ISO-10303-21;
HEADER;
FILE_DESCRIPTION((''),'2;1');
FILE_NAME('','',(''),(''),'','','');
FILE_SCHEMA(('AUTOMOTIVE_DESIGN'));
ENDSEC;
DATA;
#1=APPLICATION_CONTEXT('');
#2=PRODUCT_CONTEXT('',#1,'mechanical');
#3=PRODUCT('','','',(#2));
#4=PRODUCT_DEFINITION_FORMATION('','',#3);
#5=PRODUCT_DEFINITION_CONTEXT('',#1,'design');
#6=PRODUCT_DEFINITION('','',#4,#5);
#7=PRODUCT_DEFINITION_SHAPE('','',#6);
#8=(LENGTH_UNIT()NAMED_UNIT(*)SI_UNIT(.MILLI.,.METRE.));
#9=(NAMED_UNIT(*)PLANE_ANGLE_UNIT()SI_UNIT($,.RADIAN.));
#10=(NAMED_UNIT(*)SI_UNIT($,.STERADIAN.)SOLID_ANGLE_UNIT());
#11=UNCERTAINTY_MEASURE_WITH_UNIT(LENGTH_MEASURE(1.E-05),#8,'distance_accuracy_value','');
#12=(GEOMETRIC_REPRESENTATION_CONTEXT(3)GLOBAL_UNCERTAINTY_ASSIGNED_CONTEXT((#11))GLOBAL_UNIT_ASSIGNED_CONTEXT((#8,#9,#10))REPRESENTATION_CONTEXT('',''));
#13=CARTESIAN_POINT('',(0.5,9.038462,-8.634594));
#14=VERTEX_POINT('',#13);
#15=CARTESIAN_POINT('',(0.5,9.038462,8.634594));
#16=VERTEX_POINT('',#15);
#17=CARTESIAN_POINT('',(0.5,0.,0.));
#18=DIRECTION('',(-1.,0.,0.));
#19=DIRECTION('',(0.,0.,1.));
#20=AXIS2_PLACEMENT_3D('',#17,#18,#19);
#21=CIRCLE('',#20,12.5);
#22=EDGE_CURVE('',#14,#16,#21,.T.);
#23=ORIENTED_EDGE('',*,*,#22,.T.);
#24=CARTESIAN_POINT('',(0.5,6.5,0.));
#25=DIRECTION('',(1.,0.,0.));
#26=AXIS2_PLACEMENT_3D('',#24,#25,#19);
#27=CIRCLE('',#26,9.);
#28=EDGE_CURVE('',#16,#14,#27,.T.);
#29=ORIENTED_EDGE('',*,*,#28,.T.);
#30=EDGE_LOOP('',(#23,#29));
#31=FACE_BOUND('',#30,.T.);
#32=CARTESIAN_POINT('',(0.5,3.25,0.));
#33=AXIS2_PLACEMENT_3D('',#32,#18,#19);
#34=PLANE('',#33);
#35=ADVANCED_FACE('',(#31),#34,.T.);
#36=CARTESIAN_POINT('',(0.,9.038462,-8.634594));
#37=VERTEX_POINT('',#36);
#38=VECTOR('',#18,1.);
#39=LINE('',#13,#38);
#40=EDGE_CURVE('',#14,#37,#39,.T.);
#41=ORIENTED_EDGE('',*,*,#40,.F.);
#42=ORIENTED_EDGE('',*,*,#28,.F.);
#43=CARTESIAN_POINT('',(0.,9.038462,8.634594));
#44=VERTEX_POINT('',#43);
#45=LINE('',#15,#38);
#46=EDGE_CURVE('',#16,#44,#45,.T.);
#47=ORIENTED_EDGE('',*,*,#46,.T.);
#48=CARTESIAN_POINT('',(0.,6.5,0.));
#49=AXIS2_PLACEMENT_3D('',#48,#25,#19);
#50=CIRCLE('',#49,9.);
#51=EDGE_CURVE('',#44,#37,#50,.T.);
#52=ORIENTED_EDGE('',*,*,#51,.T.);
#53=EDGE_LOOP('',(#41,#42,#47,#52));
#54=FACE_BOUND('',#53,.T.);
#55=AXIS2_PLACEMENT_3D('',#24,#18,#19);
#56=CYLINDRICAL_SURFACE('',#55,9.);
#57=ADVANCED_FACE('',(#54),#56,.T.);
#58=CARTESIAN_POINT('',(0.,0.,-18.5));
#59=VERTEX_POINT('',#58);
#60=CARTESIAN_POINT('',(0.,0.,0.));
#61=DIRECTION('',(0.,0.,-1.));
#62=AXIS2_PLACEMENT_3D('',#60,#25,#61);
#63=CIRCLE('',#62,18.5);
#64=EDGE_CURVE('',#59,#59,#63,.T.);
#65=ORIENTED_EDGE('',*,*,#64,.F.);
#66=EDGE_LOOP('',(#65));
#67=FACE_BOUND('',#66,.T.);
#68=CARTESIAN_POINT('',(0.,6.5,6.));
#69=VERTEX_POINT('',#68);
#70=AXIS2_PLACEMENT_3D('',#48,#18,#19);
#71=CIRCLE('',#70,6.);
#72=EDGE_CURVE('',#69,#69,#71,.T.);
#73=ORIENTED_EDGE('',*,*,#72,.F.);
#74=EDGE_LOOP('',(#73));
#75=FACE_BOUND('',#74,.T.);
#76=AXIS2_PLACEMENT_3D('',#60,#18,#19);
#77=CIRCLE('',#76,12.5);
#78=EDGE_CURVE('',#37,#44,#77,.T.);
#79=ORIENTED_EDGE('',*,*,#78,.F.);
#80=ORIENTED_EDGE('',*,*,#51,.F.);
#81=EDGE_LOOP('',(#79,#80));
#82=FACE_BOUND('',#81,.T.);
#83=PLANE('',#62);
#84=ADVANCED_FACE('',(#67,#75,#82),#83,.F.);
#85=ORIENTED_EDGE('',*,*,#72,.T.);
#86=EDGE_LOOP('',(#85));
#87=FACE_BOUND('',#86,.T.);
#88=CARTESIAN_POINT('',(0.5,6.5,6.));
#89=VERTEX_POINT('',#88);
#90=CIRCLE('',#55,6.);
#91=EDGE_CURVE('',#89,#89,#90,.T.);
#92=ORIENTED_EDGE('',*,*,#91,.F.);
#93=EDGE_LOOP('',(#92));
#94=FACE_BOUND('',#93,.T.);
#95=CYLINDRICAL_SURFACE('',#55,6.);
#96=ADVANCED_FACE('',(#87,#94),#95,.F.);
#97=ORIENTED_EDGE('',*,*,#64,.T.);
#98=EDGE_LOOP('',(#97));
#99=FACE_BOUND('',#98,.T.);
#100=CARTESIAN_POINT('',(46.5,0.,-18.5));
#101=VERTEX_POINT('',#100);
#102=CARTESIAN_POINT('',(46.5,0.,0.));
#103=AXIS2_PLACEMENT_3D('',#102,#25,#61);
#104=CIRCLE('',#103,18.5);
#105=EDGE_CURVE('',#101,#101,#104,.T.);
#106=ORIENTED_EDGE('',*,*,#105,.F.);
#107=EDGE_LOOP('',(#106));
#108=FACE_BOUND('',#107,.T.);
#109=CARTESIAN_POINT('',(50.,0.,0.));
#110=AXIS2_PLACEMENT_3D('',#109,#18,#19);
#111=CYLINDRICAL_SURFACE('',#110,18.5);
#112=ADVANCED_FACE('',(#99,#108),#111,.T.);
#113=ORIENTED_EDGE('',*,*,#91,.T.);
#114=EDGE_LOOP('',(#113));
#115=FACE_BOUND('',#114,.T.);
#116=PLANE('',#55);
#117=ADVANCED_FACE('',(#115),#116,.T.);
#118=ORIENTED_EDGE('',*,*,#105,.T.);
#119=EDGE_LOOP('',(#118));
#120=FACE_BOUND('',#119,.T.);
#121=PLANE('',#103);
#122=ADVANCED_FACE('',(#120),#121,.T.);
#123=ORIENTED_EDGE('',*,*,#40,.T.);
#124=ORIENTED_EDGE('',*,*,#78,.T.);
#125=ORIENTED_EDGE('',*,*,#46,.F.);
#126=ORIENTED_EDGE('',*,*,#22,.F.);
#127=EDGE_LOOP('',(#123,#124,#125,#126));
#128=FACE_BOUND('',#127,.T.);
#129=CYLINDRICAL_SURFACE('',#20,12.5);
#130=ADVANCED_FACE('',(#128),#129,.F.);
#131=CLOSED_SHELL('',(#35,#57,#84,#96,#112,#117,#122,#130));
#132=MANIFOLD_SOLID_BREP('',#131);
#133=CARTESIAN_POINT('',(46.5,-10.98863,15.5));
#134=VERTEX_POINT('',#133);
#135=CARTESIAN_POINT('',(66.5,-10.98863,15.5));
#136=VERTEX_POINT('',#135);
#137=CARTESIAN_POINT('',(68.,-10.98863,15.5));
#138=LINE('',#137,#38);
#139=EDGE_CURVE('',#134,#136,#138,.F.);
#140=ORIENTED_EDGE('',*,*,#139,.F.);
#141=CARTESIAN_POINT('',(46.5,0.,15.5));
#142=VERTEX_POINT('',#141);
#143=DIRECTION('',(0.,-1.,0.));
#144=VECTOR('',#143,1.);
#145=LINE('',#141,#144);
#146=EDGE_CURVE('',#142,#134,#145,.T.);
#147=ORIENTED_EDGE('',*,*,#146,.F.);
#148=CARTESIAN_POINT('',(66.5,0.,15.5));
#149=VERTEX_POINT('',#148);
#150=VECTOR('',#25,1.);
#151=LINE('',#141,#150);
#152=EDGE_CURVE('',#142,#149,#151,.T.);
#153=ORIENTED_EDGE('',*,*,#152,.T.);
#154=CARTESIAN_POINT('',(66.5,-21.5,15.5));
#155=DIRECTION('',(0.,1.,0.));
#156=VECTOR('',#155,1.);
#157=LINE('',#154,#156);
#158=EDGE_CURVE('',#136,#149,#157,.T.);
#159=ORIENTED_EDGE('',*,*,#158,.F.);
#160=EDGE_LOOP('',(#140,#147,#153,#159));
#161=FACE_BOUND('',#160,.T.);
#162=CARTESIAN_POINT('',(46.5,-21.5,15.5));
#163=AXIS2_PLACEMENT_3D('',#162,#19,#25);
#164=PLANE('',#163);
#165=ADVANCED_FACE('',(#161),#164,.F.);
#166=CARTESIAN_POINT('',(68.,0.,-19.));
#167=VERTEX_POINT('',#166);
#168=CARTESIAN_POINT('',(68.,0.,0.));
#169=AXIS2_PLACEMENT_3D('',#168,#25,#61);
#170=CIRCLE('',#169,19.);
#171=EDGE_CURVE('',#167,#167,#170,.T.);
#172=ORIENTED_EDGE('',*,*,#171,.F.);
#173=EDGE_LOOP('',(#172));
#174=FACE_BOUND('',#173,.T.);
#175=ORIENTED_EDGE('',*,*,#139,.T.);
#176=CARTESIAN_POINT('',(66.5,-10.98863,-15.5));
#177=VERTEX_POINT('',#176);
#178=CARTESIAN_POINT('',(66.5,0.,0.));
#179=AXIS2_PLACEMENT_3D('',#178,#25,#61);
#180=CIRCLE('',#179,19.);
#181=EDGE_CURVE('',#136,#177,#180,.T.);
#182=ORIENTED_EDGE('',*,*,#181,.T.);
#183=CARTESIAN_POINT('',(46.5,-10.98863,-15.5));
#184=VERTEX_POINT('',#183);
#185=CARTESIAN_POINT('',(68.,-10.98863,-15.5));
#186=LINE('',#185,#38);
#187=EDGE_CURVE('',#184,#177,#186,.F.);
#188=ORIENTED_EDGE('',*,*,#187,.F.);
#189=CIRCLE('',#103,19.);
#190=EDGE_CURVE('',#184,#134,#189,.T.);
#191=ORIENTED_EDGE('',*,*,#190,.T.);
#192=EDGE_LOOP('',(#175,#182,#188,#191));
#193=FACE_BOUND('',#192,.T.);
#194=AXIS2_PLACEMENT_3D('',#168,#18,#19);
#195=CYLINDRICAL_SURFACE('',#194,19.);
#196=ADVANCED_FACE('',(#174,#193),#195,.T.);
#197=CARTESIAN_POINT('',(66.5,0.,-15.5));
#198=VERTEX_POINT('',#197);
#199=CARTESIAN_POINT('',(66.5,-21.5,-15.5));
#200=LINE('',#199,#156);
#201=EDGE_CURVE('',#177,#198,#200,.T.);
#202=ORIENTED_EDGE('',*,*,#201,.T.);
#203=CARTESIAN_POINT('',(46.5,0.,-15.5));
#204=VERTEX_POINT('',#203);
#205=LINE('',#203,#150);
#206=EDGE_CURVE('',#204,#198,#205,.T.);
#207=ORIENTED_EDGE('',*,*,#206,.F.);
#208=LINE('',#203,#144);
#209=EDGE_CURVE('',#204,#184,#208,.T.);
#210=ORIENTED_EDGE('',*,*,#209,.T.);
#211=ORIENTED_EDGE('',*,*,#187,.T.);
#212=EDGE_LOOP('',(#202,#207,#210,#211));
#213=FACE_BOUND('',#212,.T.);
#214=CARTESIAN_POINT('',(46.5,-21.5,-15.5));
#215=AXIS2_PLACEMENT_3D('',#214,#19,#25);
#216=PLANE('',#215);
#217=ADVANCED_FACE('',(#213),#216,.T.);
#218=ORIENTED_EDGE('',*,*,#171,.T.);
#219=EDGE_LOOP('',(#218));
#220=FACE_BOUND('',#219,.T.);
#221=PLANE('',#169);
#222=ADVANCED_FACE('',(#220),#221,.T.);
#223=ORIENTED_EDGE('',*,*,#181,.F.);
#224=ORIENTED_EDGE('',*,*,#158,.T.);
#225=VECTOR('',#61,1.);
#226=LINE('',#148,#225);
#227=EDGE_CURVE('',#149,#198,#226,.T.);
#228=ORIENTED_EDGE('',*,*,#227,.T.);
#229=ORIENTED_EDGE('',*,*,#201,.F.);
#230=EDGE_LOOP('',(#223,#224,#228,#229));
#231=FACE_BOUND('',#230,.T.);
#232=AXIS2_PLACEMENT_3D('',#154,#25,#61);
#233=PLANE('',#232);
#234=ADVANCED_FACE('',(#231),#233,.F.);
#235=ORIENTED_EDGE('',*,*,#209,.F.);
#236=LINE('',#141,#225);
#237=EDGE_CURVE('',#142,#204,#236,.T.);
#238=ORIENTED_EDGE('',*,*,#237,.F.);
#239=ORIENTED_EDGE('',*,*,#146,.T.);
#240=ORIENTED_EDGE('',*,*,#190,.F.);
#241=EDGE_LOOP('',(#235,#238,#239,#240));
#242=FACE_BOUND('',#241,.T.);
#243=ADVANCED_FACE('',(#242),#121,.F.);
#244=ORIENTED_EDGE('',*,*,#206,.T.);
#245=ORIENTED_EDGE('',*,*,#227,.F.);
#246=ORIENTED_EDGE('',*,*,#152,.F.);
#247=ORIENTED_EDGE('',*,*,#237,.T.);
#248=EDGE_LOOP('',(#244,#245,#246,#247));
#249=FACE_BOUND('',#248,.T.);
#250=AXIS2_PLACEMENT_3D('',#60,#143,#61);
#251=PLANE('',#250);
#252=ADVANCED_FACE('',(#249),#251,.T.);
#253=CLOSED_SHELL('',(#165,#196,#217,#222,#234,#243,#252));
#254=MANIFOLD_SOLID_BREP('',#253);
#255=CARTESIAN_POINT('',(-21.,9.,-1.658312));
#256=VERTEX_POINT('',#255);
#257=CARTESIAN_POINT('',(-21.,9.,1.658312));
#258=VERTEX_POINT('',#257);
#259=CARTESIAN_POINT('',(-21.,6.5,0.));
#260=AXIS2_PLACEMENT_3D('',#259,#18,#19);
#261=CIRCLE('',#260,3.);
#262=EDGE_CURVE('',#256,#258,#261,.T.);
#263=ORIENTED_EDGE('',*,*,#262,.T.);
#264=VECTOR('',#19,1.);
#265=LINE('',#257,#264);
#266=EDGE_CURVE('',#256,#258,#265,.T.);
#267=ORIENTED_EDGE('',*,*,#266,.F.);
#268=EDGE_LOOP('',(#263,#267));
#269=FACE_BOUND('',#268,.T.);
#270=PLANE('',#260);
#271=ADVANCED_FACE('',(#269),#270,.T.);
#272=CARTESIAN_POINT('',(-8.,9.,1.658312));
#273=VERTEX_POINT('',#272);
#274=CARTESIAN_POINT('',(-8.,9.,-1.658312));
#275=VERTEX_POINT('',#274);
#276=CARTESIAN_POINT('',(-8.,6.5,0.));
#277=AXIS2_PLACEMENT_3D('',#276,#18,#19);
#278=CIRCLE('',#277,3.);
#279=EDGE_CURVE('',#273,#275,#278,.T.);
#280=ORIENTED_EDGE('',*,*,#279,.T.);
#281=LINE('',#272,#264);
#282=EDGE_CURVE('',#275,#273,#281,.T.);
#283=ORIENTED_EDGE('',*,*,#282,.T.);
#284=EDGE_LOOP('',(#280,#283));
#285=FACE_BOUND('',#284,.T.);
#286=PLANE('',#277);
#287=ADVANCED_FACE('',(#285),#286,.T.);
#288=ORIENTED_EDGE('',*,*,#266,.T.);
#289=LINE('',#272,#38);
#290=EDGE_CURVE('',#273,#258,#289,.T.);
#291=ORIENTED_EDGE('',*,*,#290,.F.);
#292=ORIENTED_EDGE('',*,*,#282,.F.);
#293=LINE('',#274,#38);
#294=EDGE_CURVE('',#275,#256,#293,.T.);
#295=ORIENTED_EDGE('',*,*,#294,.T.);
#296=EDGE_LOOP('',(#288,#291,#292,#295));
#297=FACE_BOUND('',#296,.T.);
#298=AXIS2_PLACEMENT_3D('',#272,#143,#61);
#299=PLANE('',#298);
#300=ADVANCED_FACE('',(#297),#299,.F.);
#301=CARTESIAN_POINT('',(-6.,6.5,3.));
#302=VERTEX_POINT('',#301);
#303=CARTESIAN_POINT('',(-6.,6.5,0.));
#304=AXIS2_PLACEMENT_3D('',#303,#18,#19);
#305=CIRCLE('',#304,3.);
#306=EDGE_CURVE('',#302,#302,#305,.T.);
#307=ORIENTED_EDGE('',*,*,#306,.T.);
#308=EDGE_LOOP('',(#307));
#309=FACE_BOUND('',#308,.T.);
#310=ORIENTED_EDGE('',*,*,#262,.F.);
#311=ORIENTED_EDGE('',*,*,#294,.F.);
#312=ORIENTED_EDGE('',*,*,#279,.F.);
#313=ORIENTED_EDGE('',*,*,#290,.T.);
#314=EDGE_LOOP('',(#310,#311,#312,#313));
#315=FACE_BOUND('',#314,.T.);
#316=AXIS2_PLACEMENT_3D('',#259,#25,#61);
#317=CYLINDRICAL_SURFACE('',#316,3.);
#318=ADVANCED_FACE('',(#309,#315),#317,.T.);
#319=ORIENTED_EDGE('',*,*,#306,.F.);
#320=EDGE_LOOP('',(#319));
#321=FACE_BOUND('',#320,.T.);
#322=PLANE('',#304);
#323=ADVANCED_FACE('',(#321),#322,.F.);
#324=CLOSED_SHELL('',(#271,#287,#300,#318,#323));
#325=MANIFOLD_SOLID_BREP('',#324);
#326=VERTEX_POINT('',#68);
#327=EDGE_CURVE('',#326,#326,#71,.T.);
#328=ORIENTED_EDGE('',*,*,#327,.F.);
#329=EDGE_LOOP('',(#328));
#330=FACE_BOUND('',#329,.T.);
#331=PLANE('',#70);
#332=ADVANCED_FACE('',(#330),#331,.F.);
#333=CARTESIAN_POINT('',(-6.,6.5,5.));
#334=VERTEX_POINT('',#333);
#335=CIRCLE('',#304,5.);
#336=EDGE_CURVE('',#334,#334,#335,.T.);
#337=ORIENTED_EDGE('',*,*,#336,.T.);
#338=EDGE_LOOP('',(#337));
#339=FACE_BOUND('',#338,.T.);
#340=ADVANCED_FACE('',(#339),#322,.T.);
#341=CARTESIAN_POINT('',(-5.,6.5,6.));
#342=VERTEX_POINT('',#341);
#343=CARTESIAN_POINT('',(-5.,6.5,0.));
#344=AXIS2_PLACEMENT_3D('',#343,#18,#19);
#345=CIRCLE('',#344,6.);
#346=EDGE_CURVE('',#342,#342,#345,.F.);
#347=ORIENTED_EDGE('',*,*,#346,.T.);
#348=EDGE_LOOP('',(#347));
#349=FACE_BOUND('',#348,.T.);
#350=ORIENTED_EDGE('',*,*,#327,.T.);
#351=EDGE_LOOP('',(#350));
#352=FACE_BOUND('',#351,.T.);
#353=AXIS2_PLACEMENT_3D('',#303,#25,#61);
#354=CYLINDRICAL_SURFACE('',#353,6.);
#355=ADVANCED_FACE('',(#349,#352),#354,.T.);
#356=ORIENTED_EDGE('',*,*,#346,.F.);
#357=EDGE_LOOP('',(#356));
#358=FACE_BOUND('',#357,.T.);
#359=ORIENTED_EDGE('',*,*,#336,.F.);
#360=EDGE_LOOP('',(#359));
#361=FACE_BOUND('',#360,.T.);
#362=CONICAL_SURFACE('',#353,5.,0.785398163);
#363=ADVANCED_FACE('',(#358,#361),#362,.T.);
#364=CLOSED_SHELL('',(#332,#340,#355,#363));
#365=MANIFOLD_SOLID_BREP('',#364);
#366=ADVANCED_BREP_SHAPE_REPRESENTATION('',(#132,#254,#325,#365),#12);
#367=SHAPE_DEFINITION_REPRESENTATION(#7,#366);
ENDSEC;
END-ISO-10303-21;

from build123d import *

# Parameters (mm, degrees)
SKETCH2_R           = 18.5
BOSS_EXTRUDE1_DEPTH = 50
SKETCH3_R           = 6
BOSS_EXTRUDE2_DEPTH = 6
SKETCH4_R           = 3
BOSS_EXTRUDE3_DEPTH = 15
CHAMFER1_SIZE       = 1
CUT_EXTRUDE1_DEPTH  = 13
SKETCH6_R           = 6
CUT_EXTRUDE2_DEPTH  = 0.5
CUT_EXTRUDE3_START  = -3.5
SKETCH7_R           = 18.5
CUT_EXTRUDE3_DEPTH  = 3.5
SKETCH8_R           = 19
BOSS_EXTRUDE4_DEPTH = 21.5
SKETCH9_W           = 20
SKETCH9_H           = 31
CUT_EXTRUDE4_DEPTH  = 21.5


with BuildPart() as part:
    # Sketch2 → Boss-Extrude1 (new body)
    with BuildSketch(Plane(origin=(0, 0, 0), x_dir=(0, 0, -1), z_dir=(1, 0, 0))):
        Circle(SKETCH2_R)
    extrude(amount=BOSS_EXTRUDE1_DEPTH)

    # Sketch6 → Cut-Extrude2 (cut)
    with BuildSketch(Plane.ZY):
        with Locations((0, 6.5)):
            Circle(SKETCH6_R)
        with BuildLine():
            ThreePointArc((-8.634593969, 9.038461538), (0, -12.5), (8.634593969, 9.038461538))
            ThreePointArc((8.634593969, 9.038461538), (0, -2.5), (-8.634593969, 9.038461538))
        make_face()
    extrude(amount=-CUT_EXTRUDE2_DEPTH, mode=Mode.SUBTRACT)

    # Sketch7 → Cut-Extrude3 (cut)
    with BuildSketch(Plane(origin=(50, 0, 0), x_dir=(0, 0, -1), z_dir=(1, 0, 0)).offset(CUT_EXTRUDE3_START)):
        Circle(SKETCH7_R)
    extrude(amount=CUT_EXTRUDE3_DEPTH, mode=Mode.SUBTRACT)


with BuildPart() as body_2:
    # Sketch3 → Boss-Extrude2 (new body)
    with BuildSketch(Plane.ZY):
        with Locations((0, 6.5)):
            Circle(SKETCH3_R)
    extrude(amount=BOSS_EXTRUDE2_DEPTH)

    # Chamfer1
    chamfer1_edges = [body_2.edges().sort_by_distance(p)[0] for p in [
        (-6, 6.5, -6),
    ]]
    chamfer(chamfer1_edges, length=CHAMFER1_SIZE)


with BuildPart() as body_3:
    # Sketch4 → Boss-Extrude3 (new body)
    with BuildSketch(Plane.ZY.offset(6)):
        with Locations((0, 6.5)):
            Circle(SKETCH4_R)
    extrude(amount=BOSS_EXTRUDE3_DEPTH)

    # Sketch5 → Cut-Extrude1 (cut)
    with BuildSketch(Plane.ZY.offset(21)):
        with BuildLine():
            Line((1.658312395, 9), (-1.658312395, 9))
            ThreePointArc((-1.658312395, 9), (0, 9.5), (1.658312395, 9))
        make_face()
    extrude(amount=-CUT_EXTRUDE1_DEPTH, mode=Mode.SUBTRACT)


with BuildPart() as body_4:
    # Sketch8 → Boss-Extrude4 (new body)
    with BuildSketch(Plane(origin=(46.5, 0, 0), x_dir=(0, 0, -1), z_dir=(1, 0, 0))):
        Circle(SKETCH8_R)
    extrude(amount=BOSS_EXTRUDE4_DEPTH)

    # Sketch9 → Cut-Extrude4 (cut)
    with BuildSketch(Plane(origin=(0, 0, 0), x_dir=(1, 0, 0), z_dir=(0, 1, 0))):
        with Locations((56.5, 0)):
            Rectangle(SKETCH9_W, SKETCH9_H)
    extrude(amount=-CUT_EXTRUDE4_DEPTH, mode=Mode.SUBTRACT)


solid = Compound([part.part, body_2.part, body_3.part, body_4.part])
